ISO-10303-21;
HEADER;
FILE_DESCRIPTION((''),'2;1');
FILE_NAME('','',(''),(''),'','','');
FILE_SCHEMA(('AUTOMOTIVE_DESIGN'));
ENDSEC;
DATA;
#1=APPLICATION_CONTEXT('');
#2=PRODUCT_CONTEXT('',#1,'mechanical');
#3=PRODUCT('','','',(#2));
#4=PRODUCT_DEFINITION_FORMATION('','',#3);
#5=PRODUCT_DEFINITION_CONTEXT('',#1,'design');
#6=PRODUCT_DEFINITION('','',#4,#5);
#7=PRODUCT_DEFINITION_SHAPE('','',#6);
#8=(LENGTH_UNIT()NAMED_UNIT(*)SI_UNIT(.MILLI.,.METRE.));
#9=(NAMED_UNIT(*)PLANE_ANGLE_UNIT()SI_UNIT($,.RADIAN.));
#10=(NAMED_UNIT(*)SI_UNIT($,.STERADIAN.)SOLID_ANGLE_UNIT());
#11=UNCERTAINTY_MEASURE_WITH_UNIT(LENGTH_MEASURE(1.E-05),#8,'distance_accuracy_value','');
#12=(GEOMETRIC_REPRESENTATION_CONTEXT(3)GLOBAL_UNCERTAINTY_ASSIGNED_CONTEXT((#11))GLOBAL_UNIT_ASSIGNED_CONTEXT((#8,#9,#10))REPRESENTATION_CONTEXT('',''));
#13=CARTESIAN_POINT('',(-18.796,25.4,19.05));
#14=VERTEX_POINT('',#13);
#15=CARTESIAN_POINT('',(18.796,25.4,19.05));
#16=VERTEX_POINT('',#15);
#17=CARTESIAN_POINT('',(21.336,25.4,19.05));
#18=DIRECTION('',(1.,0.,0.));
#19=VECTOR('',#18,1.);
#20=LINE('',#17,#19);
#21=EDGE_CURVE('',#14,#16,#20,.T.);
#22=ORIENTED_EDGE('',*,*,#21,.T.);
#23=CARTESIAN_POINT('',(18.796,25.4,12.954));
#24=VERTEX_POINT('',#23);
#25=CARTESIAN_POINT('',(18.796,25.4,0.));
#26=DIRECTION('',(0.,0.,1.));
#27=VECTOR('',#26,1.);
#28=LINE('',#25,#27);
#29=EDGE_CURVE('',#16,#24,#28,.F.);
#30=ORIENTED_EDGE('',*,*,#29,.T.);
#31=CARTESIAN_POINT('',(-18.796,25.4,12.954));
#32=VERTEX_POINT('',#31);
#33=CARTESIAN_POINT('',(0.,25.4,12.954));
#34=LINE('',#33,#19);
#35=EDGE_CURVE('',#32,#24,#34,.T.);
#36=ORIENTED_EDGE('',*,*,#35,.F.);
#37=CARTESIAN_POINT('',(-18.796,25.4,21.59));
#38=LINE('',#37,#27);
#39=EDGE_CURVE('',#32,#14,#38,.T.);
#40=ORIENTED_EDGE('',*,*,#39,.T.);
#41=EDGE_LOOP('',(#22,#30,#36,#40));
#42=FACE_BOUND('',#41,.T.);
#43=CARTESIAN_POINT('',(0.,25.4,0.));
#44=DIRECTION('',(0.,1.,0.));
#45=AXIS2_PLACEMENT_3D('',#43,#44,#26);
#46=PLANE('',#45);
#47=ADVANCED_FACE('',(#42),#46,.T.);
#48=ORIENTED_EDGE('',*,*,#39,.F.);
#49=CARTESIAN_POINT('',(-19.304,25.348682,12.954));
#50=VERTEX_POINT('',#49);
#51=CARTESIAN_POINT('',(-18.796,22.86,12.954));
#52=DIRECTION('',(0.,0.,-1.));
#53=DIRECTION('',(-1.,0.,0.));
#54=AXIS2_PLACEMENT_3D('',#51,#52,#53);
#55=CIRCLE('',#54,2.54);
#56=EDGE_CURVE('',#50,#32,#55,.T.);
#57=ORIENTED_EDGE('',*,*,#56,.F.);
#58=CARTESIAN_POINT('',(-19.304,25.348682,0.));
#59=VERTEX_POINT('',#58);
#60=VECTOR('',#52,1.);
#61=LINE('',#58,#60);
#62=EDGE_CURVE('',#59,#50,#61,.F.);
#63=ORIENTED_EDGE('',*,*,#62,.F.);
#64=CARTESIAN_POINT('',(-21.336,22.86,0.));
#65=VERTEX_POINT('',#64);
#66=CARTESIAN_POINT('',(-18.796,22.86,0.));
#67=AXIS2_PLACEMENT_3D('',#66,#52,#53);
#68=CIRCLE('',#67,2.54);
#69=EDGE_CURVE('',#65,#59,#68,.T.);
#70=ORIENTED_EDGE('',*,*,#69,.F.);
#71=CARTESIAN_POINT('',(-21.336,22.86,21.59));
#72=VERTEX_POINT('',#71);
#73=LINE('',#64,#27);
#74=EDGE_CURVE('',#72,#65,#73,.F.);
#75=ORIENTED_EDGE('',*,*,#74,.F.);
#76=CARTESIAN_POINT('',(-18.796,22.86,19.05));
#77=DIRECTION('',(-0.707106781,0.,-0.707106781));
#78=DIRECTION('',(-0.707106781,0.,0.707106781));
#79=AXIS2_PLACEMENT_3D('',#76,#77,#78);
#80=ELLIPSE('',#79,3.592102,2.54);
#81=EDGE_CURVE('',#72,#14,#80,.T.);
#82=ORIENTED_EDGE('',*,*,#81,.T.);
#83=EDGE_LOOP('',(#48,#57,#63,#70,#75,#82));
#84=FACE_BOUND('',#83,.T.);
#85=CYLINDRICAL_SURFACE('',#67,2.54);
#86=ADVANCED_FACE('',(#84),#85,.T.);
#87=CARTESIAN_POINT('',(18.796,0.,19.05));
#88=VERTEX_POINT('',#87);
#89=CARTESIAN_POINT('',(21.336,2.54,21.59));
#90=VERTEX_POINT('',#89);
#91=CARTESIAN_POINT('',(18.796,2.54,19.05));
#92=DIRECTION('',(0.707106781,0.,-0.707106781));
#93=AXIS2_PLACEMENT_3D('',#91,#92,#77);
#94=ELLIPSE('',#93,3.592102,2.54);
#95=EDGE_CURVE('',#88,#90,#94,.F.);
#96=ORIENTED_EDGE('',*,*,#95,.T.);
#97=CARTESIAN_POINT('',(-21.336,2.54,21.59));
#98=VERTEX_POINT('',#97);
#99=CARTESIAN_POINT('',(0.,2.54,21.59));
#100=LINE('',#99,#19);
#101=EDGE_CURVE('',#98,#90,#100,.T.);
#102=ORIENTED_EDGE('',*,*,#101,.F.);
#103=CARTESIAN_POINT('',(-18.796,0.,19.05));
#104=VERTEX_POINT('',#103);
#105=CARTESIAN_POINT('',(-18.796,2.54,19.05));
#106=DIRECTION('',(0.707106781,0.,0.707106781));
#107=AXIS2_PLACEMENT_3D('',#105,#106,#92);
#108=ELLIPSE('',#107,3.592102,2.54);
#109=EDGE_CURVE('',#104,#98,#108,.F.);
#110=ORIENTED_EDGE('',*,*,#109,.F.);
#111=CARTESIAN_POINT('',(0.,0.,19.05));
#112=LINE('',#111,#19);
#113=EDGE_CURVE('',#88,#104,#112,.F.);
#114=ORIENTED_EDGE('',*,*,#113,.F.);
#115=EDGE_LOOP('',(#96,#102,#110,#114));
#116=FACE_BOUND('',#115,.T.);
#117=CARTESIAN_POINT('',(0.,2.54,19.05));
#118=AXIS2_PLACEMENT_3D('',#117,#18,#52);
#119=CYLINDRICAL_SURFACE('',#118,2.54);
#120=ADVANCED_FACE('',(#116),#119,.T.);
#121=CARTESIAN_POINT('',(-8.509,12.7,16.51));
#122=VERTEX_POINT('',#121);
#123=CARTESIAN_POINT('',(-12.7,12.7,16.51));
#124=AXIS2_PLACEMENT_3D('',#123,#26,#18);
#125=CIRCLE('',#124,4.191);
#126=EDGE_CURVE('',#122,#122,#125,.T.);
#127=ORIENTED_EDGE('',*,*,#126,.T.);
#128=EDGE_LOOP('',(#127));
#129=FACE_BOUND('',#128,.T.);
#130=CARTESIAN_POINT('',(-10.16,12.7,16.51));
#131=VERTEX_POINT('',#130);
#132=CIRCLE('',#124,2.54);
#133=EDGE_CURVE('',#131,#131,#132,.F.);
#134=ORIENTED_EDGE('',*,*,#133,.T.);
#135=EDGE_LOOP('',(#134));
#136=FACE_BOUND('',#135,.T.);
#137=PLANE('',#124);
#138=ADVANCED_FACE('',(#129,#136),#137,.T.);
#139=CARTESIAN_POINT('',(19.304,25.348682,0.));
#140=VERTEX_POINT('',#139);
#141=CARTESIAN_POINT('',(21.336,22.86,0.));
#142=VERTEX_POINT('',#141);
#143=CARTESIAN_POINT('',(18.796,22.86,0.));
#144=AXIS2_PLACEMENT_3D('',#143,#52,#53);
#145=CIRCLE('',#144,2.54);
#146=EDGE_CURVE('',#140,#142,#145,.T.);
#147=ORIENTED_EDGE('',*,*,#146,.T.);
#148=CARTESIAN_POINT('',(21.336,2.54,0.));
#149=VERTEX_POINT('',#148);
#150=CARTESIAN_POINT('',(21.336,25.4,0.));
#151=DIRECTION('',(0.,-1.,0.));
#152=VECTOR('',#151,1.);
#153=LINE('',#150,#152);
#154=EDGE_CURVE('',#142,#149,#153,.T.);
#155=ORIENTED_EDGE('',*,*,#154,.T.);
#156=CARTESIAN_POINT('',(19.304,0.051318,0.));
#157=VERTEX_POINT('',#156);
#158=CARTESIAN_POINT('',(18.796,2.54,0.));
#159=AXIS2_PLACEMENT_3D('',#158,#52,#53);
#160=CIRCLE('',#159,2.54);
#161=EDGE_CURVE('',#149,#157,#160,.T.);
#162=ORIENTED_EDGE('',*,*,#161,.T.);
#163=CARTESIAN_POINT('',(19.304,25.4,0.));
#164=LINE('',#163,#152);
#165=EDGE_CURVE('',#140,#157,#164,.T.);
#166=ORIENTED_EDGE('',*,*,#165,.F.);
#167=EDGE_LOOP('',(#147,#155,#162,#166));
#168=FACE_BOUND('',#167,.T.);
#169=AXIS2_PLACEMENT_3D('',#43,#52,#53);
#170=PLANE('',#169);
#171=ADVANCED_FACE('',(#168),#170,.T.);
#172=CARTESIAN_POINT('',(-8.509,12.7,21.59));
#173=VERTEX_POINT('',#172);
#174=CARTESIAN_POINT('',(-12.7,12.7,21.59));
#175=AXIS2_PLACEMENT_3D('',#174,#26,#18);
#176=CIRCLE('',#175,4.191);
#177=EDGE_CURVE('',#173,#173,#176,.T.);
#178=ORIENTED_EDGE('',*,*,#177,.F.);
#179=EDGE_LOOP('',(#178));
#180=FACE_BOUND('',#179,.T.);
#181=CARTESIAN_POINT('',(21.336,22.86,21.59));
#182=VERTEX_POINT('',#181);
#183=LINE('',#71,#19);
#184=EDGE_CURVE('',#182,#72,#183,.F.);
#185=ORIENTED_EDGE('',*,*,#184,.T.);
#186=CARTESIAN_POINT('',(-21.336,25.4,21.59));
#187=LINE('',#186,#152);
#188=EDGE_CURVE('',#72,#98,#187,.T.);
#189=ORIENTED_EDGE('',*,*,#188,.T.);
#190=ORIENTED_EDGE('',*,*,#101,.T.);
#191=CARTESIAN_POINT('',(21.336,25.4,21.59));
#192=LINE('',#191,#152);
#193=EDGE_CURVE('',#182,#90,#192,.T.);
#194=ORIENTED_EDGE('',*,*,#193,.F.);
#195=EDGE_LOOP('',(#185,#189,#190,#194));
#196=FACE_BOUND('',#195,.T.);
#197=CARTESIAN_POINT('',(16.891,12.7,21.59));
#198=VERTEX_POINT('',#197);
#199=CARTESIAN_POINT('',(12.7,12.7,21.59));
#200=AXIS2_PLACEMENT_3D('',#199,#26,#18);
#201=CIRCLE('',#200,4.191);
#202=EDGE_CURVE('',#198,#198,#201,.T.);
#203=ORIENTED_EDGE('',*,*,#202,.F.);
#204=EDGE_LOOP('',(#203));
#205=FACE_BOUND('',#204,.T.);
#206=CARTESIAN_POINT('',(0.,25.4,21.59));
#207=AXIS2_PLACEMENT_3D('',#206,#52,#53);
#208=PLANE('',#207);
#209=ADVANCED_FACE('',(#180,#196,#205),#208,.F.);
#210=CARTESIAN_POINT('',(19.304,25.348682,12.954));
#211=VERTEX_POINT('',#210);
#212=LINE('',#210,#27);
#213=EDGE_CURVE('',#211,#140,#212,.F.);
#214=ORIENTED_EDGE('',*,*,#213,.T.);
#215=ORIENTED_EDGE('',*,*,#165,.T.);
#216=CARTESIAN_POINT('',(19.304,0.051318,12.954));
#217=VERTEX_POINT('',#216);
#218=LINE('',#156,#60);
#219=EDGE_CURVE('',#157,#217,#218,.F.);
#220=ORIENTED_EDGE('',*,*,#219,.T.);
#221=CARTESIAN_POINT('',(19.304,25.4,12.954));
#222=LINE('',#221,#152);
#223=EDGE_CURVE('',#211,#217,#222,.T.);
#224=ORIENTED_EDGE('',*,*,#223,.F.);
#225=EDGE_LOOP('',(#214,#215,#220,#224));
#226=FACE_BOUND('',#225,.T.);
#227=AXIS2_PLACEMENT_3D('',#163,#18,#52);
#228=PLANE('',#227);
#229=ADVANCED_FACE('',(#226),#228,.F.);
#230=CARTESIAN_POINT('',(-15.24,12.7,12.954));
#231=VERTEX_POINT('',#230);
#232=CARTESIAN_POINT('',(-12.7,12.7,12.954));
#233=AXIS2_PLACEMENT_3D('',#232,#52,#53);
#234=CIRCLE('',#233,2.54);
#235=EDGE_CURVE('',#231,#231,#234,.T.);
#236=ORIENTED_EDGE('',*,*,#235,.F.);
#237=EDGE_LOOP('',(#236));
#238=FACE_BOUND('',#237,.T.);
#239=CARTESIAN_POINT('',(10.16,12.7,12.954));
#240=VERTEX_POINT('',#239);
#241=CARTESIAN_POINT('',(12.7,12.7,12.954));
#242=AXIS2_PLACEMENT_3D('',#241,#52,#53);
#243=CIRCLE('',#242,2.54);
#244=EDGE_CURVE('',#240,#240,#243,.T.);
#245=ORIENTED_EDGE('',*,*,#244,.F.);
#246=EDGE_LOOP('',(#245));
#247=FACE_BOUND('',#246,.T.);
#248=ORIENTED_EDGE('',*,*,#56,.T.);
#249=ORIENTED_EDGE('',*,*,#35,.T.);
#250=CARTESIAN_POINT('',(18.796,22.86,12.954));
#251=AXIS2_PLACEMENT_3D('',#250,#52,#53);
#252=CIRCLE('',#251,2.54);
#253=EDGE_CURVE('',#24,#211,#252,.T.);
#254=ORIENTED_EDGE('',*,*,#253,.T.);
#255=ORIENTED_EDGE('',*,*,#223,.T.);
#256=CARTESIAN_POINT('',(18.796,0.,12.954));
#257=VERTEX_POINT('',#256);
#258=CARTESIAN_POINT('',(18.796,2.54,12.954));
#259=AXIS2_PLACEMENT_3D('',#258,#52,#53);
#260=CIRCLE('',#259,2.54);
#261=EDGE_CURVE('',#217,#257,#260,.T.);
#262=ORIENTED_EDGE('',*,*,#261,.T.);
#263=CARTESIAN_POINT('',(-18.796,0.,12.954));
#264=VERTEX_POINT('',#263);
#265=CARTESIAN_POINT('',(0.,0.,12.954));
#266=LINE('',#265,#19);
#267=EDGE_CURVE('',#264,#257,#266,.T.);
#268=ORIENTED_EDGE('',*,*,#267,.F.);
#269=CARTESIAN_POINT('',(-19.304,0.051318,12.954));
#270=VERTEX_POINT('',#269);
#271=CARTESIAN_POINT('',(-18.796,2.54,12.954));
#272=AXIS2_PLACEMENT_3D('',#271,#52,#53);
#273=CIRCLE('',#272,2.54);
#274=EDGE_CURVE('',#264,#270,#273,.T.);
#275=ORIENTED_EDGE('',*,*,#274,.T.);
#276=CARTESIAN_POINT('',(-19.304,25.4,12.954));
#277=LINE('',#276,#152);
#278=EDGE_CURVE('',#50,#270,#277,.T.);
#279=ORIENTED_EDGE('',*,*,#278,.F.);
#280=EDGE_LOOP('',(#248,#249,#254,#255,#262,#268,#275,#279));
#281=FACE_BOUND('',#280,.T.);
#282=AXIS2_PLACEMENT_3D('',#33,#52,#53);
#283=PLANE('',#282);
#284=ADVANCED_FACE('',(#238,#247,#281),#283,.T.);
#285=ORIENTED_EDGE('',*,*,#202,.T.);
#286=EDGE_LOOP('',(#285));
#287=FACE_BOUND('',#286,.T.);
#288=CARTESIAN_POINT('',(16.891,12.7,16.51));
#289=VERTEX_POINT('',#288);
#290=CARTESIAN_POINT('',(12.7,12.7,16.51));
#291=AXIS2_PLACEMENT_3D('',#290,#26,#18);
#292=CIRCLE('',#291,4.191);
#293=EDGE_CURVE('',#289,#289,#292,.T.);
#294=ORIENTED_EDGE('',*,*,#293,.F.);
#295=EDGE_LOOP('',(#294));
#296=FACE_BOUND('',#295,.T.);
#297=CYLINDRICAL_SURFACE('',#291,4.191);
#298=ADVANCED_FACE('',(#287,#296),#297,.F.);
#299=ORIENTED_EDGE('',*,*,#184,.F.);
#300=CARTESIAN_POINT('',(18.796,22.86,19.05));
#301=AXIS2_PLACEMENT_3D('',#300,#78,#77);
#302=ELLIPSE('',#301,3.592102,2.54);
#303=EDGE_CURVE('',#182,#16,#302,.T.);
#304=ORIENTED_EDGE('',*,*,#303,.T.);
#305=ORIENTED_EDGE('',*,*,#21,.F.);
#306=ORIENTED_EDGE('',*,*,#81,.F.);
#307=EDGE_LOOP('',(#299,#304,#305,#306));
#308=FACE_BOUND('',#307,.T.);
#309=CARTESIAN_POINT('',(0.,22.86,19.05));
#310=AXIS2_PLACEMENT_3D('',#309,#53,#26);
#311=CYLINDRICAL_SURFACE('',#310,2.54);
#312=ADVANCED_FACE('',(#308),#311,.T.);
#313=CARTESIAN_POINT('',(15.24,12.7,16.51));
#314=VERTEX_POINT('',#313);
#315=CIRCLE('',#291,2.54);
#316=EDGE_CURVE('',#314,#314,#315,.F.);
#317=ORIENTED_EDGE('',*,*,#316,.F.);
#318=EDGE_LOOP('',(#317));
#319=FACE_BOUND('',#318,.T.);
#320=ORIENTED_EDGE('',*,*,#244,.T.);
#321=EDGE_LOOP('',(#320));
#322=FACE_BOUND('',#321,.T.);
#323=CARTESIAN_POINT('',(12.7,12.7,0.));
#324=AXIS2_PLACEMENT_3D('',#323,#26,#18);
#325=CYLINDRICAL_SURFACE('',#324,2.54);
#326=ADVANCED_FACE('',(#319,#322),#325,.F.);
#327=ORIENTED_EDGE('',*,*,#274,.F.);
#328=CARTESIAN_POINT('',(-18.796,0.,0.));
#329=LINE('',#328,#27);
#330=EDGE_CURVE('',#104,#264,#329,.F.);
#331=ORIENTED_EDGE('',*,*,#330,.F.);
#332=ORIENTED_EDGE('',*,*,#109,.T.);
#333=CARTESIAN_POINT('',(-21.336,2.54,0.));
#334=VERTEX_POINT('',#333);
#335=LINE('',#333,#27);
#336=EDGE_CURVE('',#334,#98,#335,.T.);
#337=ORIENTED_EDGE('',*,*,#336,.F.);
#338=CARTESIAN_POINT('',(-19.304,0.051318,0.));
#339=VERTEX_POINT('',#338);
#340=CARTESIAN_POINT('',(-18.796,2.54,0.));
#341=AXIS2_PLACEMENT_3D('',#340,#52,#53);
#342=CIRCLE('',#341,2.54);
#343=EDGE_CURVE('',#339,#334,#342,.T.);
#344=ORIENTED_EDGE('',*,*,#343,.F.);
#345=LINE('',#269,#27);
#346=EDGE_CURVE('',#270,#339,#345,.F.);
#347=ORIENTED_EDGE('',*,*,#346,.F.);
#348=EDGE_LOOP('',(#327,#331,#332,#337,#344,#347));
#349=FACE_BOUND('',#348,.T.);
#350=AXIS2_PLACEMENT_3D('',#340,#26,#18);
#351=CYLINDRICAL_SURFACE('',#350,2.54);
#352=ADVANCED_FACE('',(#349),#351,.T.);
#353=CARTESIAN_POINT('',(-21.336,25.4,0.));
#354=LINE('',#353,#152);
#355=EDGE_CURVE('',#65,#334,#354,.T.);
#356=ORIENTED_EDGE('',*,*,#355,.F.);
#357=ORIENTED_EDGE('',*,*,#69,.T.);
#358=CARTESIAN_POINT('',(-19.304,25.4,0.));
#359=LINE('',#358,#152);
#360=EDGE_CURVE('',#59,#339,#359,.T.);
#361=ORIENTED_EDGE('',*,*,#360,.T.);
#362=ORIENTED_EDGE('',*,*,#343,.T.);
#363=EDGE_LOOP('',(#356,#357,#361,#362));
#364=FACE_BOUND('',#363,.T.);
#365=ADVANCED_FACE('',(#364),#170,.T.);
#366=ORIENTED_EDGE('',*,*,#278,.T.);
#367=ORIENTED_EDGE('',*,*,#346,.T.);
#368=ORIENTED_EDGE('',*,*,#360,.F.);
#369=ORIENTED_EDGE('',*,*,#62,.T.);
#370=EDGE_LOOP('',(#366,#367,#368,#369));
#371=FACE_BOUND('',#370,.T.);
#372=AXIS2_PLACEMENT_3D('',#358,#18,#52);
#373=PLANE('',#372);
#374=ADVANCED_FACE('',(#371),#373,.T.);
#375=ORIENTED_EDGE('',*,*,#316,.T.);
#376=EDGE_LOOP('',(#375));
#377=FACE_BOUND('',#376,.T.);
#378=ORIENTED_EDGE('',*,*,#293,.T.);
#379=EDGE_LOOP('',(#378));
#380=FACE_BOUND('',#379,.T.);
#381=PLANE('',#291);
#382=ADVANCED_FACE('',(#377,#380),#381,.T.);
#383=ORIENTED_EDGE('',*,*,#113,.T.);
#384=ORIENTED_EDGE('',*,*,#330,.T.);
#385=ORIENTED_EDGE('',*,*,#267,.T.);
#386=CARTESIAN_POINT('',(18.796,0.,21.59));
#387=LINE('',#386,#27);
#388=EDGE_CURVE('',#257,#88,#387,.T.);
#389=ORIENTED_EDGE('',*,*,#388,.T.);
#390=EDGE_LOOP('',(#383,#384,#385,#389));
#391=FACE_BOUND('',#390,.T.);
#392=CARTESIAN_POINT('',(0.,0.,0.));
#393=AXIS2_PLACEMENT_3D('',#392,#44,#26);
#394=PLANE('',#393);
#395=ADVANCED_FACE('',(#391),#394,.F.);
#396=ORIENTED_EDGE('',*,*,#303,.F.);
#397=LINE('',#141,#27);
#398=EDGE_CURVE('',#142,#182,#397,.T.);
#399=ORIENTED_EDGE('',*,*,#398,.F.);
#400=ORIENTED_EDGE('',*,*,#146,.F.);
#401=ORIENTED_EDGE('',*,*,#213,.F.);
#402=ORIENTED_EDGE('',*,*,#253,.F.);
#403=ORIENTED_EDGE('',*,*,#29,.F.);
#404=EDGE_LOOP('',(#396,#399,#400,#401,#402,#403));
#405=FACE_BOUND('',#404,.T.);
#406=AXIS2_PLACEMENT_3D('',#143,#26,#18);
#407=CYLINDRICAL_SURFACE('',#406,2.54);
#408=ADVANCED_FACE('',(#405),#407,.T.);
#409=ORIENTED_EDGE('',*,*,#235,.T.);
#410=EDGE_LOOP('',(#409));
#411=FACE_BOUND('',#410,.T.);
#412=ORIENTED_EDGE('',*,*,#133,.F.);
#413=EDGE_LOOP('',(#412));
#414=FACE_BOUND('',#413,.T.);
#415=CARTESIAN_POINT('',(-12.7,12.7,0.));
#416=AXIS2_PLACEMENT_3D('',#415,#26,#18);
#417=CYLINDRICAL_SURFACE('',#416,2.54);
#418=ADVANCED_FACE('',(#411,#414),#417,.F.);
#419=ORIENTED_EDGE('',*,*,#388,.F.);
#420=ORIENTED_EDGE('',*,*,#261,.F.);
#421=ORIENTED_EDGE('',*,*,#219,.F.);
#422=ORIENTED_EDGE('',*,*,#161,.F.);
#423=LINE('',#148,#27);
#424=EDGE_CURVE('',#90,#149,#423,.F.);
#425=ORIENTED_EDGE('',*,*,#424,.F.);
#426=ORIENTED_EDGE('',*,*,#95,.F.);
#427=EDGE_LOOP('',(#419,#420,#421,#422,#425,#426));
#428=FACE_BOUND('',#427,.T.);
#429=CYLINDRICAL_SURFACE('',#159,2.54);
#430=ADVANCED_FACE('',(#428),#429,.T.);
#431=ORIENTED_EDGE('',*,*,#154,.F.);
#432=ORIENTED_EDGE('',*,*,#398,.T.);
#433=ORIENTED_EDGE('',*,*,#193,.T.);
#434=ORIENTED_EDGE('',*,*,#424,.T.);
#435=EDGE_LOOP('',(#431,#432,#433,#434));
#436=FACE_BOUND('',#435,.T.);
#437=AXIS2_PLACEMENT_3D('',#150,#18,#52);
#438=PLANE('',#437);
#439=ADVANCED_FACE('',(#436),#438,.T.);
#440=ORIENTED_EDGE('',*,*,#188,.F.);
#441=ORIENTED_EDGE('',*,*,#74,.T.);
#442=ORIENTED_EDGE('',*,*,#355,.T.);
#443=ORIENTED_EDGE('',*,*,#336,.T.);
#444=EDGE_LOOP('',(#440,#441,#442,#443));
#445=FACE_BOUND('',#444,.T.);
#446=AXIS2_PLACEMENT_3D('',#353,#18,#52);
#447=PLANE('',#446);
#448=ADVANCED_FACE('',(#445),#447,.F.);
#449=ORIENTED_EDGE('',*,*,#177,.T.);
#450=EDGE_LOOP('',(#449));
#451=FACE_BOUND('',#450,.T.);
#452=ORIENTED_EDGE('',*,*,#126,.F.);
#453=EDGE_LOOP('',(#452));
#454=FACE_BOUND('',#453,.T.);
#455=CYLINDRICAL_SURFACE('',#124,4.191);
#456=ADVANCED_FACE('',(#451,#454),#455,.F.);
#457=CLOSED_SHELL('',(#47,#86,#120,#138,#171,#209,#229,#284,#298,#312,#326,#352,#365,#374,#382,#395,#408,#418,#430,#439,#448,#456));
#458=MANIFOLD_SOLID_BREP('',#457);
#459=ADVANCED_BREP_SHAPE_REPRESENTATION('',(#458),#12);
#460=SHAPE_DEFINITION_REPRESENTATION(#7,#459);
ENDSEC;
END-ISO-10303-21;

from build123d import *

# Parameters (mm, degrees)
BOSS_EXTRUDE1_DEPTH = 25.4
SKETCH2_R           = 2.54
CUT_EXTRUDE1_DEPTH  = 40.579199032
SKETCH3_R           = 4.191
CUT_EXTRUDE2_DEPTH  = 5.08
FILLET1_R           = 2.54
FILLET2_R           = 2.54


with BuildPart() as part:
    # Sketch1 → Boss-Extrude1 (new body)
    with BuildSketch(Plane(origin=(0, 0, 0), x_dir=(1, 0, 0), z_dir=(0, 1, 0))):
        Polygon((-19.304, 0), (-21.336, 0), (-21.336, -21.59), (21.336, -21.59), (21.336, 0), (19.304, 0), (19.304, -12.954), (-19.304, -12.954), align=None)
    extrude(amount=BOSS_EXTRUDE1_DEPTH)

    # Sketch2 → Cut-Extrude1 (cut, through all)
    with BuildSketch(Plane.XY.offset(21.59)):
        with Locations((-12.7, 12.7)):
            Circle(SKETCH2_R)
        with Locations((12.7, 12.7)):
            Circle(SKETCH2_R)
    extrude(amount=-CUT_EXTRUDE1_DEPTH, mode=Mode.SUBTRACT)

    # Sketch3 → Cut-Extrude2 (cut)
    with BuildSketch(Plane.XY.offset(21.59)):
        with Locations((-12.7, 12.7)):
            Circle(SKETCH3_R)
        with Locations((12.7, 12.7)):
            Circle(SKETCH3_R)
    extrude(amount=-CUT_EXTRUDE2_DEPTH, mode=Mode.SUBTRACT)

    # Fillet1
    fillet1_edges = [part.edges().sort_by_distance(p)[0] for p in [
        (-21.336, 25.4, 10.795),
        (21.336, 25.4, 10.795),
        (0, 25.4, 21.59),
    ]]
    fillet(fillet1_edges, radius=FILLET1_R)

    # Fillet2
    fillet2_edges = [part.edges().sort_by_distance(p)[0] for p in [
        (-21.336, 0, 10.795),
        (0, 0, 21.59),
        (21.336, 0, 10.795),
    ]]
    fillet(fillet2_edges, radius=FILLET2_R)


solid = part.part
